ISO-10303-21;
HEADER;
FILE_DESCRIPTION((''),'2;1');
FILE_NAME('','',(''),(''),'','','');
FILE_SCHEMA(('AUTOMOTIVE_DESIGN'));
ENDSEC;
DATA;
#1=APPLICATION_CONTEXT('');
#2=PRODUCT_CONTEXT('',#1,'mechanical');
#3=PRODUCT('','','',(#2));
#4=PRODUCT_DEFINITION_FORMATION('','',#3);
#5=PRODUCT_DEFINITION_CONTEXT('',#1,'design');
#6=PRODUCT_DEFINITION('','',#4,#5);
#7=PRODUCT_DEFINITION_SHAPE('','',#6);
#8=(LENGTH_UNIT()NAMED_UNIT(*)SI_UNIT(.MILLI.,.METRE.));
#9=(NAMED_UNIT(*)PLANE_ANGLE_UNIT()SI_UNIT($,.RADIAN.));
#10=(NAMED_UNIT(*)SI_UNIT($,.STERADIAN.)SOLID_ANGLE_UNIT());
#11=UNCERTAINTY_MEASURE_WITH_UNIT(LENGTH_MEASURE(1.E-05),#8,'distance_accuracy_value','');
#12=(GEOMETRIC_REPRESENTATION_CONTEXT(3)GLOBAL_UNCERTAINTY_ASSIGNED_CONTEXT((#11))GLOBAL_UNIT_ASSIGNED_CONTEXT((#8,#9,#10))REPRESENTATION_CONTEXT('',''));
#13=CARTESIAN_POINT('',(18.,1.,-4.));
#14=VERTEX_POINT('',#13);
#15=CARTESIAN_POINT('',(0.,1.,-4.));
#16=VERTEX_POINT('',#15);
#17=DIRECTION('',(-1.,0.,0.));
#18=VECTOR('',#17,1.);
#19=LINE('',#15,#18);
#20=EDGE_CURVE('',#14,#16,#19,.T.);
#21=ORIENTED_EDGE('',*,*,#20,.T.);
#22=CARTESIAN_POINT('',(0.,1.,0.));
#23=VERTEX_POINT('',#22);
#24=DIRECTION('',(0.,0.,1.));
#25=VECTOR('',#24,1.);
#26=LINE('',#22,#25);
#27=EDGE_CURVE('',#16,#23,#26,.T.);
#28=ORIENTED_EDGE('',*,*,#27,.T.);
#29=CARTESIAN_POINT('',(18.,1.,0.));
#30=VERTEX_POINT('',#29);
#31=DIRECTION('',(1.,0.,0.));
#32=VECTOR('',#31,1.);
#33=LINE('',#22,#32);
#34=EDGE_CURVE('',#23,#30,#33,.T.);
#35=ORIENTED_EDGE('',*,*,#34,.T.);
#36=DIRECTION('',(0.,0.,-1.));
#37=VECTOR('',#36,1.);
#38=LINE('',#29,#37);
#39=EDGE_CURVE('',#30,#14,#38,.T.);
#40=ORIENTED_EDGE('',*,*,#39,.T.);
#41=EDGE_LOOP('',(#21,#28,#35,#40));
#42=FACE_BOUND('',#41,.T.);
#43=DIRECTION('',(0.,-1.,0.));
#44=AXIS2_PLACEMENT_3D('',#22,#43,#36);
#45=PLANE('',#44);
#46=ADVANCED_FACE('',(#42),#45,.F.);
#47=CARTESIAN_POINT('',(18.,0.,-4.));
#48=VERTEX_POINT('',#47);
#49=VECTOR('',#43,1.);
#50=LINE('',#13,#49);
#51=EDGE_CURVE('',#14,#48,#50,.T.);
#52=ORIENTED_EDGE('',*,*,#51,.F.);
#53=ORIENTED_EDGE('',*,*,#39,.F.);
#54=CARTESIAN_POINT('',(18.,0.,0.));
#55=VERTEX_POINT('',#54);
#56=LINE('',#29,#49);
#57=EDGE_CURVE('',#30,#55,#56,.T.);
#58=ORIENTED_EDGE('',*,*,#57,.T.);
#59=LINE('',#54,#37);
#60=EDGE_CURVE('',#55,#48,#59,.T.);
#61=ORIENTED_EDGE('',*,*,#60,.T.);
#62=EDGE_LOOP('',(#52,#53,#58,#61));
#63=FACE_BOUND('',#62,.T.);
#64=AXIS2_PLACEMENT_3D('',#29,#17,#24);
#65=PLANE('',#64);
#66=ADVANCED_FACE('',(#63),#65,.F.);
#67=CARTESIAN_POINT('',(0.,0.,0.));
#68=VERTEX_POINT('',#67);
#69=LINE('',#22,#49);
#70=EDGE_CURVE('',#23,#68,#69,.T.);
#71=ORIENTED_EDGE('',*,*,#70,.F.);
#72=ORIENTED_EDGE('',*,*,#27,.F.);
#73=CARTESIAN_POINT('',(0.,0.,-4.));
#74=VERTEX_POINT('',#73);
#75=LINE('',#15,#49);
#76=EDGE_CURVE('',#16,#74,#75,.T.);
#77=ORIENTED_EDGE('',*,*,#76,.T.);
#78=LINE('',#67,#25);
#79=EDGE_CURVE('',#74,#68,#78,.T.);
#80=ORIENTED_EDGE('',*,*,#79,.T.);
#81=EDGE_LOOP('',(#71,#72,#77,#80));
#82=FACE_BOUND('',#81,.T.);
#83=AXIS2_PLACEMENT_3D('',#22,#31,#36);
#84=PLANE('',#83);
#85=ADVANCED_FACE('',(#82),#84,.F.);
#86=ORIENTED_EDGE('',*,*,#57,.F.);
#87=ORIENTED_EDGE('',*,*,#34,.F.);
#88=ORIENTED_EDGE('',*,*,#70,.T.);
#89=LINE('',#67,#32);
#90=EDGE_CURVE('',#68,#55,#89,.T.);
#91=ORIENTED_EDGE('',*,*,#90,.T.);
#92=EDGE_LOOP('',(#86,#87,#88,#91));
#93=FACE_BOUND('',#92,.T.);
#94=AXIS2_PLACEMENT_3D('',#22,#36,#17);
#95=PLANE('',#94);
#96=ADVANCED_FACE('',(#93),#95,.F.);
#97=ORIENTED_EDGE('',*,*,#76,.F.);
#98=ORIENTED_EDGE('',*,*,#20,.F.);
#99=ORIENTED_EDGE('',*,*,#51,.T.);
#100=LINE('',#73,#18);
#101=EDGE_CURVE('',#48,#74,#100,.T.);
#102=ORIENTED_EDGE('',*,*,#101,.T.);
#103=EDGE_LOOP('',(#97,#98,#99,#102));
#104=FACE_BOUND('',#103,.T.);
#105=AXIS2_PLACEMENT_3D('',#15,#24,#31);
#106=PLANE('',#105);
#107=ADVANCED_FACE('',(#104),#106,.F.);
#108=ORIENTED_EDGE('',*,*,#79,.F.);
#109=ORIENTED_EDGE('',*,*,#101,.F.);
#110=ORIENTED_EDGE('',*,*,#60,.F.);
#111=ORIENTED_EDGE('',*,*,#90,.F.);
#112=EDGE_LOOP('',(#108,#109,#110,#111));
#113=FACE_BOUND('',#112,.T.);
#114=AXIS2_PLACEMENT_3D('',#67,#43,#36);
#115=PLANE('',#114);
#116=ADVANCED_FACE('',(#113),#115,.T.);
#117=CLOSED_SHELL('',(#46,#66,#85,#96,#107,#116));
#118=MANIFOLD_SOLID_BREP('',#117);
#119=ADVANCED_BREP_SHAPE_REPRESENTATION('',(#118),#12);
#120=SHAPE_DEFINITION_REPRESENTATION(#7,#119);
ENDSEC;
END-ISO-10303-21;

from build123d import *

# Parameters (mm, degrees)
SKETCH_1_W      = 18
SKETCH_1_H      = 4
EXTRUDE_1_DEPTH = 1


with BuildPart() as part:
    # 草图1 → 凸台-拉伸1 (new body)
    with BuildSketch(Plane(origin=(0, 0, 0), x_dir=(1, 0, 0), z_dir=(0, 1, 0))):
        with Locations((9, 2)):
            Rectangle(SKETCH_1_W, SKETCH_1_H)
    extrude(amount=EXTRUDE_1_DEPTH)


solid = part.part
